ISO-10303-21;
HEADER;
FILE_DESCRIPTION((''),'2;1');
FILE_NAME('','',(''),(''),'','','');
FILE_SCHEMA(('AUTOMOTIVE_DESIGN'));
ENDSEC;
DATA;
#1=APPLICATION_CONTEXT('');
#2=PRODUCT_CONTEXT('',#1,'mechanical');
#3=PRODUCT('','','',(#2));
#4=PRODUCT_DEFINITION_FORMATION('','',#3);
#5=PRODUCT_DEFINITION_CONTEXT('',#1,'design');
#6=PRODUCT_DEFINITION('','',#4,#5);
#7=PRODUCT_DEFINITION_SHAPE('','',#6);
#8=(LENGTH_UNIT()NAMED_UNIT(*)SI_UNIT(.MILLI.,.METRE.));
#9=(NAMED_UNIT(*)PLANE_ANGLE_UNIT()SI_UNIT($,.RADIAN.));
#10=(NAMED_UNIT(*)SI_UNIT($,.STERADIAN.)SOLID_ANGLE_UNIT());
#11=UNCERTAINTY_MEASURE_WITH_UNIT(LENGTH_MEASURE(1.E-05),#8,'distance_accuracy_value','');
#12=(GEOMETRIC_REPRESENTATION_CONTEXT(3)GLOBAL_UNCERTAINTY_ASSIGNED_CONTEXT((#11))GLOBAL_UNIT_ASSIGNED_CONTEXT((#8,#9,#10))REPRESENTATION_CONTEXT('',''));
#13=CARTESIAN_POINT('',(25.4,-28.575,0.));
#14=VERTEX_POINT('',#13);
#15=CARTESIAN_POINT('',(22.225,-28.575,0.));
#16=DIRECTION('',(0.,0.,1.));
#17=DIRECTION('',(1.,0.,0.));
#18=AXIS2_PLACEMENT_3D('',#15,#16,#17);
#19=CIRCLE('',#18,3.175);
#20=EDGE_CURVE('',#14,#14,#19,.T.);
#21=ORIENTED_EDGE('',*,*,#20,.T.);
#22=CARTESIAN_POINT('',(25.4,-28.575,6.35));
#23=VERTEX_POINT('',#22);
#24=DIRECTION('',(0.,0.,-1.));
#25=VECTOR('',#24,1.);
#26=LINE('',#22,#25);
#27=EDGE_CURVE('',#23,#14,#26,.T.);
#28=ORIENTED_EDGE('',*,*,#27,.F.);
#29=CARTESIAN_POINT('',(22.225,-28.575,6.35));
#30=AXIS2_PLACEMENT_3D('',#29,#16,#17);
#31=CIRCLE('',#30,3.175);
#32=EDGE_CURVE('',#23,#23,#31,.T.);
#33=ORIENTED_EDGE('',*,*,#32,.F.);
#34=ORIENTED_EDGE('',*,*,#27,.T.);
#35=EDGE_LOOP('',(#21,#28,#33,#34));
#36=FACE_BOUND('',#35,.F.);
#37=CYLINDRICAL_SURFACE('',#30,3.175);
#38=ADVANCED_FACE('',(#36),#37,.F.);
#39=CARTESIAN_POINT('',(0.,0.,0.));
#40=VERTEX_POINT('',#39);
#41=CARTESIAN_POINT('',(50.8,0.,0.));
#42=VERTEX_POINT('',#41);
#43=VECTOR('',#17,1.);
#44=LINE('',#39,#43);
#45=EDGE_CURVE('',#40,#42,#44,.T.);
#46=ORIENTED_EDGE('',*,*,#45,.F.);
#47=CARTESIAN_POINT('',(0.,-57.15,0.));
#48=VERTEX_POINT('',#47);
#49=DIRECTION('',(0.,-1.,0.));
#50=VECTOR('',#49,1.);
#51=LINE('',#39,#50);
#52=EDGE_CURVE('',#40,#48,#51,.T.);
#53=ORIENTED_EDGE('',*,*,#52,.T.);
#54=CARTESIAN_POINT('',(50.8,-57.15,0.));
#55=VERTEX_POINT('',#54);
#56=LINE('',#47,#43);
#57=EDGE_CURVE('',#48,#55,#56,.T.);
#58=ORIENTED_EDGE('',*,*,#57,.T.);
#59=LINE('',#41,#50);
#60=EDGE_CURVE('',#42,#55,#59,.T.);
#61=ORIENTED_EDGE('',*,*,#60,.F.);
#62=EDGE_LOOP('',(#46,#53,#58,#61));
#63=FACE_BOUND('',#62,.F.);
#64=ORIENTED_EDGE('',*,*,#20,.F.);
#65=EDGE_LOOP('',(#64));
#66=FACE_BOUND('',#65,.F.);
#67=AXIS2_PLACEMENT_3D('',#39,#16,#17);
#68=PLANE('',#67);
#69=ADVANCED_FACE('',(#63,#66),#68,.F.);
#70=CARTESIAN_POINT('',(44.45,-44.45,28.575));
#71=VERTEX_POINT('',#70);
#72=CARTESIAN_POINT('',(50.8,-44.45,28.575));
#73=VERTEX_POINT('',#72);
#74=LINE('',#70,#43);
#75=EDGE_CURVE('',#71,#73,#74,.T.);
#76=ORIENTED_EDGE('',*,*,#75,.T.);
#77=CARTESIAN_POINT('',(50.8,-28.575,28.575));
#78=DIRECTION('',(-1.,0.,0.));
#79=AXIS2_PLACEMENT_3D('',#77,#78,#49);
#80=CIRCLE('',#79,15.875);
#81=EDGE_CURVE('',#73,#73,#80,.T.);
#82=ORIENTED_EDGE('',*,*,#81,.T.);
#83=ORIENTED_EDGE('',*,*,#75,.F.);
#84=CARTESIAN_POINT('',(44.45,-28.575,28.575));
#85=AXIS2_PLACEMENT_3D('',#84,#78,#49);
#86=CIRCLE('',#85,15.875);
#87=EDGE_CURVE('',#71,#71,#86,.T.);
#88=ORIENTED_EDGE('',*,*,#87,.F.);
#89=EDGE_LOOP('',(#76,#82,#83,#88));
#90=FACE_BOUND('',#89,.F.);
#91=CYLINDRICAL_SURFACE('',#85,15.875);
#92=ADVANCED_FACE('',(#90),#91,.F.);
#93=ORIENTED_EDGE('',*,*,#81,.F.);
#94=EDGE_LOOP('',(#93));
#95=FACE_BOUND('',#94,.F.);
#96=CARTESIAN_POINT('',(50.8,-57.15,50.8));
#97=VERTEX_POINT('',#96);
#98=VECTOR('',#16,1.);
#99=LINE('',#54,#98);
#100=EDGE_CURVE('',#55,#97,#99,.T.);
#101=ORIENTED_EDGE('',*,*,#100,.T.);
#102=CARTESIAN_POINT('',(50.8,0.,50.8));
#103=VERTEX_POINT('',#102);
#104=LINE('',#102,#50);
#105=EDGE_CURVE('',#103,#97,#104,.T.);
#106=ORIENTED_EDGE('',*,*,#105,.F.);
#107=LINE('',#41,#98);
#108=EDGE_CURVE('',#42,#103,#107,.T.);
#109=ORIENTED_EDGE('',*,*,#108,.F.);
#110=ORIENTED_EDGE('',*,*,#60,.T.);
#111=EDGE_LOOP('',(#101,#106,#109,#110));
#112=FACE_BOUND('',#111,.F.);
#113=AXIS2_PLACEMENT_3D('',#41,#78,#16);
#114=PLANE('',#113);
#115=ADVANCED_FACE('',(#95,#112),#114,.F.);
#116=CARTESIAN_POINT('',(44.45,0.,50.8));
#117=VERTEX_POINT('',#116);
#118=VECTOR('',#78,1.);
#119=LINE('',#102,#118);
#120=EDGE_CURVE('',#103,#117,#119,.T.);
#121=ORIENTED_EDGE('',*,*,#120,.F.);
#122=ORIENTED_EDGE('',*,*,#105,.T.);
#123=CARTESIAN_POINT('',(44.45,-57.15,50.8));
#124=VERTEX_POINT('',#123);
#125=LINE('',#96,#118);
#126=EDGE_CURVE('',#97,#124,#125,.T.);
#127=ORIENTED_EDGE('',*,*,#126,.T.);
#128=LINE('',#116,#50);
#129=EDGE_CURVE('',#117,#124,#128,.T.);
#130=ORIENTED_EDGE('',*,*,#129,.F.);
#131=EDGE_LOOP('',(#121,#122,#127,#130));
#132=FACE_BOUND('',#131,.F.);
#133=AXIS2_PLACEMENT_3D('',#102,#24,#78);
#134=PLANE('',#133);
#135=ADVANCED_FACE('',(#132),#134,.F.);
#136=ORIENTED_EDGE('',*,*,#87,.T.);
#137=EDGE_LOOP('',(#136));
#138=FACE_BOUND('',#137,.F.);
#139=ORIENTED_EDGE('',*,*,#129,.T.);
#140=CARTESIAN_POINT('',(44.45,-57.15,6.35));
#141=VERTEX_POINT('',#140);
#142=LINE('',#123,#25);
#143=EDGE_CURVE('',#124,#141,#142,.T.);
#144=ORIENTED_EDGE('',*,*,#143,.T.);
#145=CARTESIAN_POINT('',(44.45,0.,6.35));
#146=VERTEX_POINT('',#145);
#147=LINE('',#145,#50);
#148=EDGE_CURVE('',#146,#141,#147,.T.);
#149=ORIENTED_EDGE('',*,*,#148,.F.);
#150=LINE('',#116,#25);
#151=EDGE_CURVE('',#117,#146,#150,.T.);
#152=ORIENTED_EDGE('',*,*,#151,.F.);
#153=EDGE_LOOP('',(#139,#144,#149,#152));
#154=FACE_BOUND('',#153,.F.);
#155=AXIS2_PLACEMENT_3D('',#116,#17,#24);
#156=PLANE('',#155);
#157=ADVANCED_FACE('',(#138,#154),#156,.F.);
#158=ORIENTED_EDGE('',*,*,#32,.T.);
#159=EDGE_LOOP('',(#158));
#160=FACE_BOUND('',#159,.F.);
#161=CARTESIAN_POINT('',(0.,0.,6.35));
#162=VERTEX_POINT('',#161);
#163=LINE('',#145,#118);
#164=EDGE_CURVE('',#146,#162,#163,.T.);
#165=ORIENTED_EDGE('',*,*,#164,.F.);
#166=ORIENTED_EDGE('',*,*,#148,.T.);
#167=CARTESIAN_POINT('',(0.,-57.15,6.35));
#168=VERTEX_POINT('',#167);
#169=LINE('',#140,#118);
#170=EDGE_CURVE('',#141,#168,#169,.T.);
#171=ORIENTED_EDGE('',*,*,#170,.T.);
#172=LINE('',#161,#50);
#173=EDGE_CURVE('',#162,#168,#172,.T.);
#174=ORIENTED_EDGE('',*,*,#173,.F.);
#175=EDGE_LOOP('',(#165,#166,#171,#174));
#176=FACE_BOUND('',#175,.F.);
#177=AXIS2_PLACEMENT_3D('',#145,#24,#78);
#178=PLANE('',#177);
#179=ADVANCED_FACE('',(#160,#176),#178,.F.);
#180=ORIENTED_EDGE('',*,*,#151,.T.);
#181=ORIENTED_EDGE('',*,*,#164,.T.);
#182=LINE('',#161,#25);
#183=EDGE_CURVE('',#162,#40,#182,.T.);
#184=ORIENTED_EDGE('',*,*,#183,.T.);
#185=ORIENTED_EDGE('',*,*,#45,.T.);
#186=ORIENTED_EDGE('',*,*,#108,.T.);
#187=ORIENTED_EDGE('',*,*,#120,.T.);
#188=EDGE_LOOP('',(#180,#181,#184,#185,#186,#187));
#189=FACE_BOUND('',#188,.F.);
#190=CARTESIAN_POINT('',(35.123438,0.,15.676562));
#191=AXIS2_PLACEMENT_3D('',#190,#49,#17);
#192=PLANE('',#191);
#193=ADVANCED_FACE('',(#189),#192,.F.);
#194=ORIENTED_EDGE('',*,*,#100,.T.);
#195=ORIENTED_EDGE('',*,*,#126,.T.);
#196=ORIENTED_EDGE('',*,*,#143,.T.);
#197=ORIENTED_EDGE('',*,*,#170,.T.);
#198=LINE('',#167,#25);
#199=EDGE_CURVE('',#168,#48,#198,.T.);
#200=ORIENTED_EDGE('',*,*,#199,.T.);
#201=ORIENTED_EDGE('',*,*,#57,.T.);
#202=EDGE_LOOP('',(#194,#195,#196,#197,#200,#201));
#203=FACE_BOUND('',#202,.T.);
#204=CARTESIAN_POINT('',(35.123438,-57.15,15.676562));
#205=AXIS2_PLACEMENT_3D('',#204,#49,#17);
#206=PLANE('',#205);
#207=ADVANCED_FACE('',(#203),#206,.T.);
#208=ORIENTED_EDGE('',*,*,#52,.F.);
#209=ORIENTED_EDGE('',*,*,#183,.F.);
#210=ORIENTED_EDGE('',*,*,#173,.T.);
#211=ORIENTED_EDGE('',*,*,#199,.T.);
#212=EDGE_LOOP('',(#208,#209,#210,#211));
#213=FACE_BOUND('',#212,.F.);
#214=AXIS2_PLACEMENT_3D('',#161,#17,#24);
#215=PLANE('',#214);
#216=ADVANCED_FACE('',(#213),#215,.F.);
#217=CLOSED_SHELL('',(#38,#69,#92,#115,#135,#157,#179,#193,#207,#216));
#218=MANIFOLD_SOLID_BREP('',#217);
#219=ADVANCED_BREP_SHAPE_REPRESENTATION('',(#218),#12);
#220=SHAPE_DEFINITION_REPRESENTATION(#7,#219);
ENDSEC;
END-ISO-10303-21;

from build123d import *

# Parameters (mm, degrees)
F1_DEPTH = 57.15
F2_R     = 15.875
F3_DEPTH = 6.351
F4_R     = 3.175
F5_DEPTH = 6.351


with BuildPart() as f1:
    # F0 (on Front) → F1 (new body)
    with BuildSketch(Plane.XZ):
        Polygon((0, 6.35), (0, 0), (50.8, 0), (50.8, 50.8), (44.45, 50.8), (44.45, 6.35), align=None)
    extrude(amount=F1_DEPTH)

    # F2 (on face) → F3 (cut, through all)
    with BuildSketch(Plane(origin=(44.45, 0, 0), x_dir=(0, -1, 0), z_dir=(-1, 0, 0))):
        with Locations((28.575, 28.575)):
            Circle(F2_R)
    extrude(amount=-F3_DEPTH, mode=Mode.SUBTRACT)

    # F4 (on face) → F5 (cut, through all)
    with BuildSketch(Plane.XY.offset(6.35)):
        with Locations((22.225, -28.575)):
            Circle(F4_R)
    extrude(amount=-F5_DEPTH, mode=Mode.SUBTRACT)


solid = f1.part
